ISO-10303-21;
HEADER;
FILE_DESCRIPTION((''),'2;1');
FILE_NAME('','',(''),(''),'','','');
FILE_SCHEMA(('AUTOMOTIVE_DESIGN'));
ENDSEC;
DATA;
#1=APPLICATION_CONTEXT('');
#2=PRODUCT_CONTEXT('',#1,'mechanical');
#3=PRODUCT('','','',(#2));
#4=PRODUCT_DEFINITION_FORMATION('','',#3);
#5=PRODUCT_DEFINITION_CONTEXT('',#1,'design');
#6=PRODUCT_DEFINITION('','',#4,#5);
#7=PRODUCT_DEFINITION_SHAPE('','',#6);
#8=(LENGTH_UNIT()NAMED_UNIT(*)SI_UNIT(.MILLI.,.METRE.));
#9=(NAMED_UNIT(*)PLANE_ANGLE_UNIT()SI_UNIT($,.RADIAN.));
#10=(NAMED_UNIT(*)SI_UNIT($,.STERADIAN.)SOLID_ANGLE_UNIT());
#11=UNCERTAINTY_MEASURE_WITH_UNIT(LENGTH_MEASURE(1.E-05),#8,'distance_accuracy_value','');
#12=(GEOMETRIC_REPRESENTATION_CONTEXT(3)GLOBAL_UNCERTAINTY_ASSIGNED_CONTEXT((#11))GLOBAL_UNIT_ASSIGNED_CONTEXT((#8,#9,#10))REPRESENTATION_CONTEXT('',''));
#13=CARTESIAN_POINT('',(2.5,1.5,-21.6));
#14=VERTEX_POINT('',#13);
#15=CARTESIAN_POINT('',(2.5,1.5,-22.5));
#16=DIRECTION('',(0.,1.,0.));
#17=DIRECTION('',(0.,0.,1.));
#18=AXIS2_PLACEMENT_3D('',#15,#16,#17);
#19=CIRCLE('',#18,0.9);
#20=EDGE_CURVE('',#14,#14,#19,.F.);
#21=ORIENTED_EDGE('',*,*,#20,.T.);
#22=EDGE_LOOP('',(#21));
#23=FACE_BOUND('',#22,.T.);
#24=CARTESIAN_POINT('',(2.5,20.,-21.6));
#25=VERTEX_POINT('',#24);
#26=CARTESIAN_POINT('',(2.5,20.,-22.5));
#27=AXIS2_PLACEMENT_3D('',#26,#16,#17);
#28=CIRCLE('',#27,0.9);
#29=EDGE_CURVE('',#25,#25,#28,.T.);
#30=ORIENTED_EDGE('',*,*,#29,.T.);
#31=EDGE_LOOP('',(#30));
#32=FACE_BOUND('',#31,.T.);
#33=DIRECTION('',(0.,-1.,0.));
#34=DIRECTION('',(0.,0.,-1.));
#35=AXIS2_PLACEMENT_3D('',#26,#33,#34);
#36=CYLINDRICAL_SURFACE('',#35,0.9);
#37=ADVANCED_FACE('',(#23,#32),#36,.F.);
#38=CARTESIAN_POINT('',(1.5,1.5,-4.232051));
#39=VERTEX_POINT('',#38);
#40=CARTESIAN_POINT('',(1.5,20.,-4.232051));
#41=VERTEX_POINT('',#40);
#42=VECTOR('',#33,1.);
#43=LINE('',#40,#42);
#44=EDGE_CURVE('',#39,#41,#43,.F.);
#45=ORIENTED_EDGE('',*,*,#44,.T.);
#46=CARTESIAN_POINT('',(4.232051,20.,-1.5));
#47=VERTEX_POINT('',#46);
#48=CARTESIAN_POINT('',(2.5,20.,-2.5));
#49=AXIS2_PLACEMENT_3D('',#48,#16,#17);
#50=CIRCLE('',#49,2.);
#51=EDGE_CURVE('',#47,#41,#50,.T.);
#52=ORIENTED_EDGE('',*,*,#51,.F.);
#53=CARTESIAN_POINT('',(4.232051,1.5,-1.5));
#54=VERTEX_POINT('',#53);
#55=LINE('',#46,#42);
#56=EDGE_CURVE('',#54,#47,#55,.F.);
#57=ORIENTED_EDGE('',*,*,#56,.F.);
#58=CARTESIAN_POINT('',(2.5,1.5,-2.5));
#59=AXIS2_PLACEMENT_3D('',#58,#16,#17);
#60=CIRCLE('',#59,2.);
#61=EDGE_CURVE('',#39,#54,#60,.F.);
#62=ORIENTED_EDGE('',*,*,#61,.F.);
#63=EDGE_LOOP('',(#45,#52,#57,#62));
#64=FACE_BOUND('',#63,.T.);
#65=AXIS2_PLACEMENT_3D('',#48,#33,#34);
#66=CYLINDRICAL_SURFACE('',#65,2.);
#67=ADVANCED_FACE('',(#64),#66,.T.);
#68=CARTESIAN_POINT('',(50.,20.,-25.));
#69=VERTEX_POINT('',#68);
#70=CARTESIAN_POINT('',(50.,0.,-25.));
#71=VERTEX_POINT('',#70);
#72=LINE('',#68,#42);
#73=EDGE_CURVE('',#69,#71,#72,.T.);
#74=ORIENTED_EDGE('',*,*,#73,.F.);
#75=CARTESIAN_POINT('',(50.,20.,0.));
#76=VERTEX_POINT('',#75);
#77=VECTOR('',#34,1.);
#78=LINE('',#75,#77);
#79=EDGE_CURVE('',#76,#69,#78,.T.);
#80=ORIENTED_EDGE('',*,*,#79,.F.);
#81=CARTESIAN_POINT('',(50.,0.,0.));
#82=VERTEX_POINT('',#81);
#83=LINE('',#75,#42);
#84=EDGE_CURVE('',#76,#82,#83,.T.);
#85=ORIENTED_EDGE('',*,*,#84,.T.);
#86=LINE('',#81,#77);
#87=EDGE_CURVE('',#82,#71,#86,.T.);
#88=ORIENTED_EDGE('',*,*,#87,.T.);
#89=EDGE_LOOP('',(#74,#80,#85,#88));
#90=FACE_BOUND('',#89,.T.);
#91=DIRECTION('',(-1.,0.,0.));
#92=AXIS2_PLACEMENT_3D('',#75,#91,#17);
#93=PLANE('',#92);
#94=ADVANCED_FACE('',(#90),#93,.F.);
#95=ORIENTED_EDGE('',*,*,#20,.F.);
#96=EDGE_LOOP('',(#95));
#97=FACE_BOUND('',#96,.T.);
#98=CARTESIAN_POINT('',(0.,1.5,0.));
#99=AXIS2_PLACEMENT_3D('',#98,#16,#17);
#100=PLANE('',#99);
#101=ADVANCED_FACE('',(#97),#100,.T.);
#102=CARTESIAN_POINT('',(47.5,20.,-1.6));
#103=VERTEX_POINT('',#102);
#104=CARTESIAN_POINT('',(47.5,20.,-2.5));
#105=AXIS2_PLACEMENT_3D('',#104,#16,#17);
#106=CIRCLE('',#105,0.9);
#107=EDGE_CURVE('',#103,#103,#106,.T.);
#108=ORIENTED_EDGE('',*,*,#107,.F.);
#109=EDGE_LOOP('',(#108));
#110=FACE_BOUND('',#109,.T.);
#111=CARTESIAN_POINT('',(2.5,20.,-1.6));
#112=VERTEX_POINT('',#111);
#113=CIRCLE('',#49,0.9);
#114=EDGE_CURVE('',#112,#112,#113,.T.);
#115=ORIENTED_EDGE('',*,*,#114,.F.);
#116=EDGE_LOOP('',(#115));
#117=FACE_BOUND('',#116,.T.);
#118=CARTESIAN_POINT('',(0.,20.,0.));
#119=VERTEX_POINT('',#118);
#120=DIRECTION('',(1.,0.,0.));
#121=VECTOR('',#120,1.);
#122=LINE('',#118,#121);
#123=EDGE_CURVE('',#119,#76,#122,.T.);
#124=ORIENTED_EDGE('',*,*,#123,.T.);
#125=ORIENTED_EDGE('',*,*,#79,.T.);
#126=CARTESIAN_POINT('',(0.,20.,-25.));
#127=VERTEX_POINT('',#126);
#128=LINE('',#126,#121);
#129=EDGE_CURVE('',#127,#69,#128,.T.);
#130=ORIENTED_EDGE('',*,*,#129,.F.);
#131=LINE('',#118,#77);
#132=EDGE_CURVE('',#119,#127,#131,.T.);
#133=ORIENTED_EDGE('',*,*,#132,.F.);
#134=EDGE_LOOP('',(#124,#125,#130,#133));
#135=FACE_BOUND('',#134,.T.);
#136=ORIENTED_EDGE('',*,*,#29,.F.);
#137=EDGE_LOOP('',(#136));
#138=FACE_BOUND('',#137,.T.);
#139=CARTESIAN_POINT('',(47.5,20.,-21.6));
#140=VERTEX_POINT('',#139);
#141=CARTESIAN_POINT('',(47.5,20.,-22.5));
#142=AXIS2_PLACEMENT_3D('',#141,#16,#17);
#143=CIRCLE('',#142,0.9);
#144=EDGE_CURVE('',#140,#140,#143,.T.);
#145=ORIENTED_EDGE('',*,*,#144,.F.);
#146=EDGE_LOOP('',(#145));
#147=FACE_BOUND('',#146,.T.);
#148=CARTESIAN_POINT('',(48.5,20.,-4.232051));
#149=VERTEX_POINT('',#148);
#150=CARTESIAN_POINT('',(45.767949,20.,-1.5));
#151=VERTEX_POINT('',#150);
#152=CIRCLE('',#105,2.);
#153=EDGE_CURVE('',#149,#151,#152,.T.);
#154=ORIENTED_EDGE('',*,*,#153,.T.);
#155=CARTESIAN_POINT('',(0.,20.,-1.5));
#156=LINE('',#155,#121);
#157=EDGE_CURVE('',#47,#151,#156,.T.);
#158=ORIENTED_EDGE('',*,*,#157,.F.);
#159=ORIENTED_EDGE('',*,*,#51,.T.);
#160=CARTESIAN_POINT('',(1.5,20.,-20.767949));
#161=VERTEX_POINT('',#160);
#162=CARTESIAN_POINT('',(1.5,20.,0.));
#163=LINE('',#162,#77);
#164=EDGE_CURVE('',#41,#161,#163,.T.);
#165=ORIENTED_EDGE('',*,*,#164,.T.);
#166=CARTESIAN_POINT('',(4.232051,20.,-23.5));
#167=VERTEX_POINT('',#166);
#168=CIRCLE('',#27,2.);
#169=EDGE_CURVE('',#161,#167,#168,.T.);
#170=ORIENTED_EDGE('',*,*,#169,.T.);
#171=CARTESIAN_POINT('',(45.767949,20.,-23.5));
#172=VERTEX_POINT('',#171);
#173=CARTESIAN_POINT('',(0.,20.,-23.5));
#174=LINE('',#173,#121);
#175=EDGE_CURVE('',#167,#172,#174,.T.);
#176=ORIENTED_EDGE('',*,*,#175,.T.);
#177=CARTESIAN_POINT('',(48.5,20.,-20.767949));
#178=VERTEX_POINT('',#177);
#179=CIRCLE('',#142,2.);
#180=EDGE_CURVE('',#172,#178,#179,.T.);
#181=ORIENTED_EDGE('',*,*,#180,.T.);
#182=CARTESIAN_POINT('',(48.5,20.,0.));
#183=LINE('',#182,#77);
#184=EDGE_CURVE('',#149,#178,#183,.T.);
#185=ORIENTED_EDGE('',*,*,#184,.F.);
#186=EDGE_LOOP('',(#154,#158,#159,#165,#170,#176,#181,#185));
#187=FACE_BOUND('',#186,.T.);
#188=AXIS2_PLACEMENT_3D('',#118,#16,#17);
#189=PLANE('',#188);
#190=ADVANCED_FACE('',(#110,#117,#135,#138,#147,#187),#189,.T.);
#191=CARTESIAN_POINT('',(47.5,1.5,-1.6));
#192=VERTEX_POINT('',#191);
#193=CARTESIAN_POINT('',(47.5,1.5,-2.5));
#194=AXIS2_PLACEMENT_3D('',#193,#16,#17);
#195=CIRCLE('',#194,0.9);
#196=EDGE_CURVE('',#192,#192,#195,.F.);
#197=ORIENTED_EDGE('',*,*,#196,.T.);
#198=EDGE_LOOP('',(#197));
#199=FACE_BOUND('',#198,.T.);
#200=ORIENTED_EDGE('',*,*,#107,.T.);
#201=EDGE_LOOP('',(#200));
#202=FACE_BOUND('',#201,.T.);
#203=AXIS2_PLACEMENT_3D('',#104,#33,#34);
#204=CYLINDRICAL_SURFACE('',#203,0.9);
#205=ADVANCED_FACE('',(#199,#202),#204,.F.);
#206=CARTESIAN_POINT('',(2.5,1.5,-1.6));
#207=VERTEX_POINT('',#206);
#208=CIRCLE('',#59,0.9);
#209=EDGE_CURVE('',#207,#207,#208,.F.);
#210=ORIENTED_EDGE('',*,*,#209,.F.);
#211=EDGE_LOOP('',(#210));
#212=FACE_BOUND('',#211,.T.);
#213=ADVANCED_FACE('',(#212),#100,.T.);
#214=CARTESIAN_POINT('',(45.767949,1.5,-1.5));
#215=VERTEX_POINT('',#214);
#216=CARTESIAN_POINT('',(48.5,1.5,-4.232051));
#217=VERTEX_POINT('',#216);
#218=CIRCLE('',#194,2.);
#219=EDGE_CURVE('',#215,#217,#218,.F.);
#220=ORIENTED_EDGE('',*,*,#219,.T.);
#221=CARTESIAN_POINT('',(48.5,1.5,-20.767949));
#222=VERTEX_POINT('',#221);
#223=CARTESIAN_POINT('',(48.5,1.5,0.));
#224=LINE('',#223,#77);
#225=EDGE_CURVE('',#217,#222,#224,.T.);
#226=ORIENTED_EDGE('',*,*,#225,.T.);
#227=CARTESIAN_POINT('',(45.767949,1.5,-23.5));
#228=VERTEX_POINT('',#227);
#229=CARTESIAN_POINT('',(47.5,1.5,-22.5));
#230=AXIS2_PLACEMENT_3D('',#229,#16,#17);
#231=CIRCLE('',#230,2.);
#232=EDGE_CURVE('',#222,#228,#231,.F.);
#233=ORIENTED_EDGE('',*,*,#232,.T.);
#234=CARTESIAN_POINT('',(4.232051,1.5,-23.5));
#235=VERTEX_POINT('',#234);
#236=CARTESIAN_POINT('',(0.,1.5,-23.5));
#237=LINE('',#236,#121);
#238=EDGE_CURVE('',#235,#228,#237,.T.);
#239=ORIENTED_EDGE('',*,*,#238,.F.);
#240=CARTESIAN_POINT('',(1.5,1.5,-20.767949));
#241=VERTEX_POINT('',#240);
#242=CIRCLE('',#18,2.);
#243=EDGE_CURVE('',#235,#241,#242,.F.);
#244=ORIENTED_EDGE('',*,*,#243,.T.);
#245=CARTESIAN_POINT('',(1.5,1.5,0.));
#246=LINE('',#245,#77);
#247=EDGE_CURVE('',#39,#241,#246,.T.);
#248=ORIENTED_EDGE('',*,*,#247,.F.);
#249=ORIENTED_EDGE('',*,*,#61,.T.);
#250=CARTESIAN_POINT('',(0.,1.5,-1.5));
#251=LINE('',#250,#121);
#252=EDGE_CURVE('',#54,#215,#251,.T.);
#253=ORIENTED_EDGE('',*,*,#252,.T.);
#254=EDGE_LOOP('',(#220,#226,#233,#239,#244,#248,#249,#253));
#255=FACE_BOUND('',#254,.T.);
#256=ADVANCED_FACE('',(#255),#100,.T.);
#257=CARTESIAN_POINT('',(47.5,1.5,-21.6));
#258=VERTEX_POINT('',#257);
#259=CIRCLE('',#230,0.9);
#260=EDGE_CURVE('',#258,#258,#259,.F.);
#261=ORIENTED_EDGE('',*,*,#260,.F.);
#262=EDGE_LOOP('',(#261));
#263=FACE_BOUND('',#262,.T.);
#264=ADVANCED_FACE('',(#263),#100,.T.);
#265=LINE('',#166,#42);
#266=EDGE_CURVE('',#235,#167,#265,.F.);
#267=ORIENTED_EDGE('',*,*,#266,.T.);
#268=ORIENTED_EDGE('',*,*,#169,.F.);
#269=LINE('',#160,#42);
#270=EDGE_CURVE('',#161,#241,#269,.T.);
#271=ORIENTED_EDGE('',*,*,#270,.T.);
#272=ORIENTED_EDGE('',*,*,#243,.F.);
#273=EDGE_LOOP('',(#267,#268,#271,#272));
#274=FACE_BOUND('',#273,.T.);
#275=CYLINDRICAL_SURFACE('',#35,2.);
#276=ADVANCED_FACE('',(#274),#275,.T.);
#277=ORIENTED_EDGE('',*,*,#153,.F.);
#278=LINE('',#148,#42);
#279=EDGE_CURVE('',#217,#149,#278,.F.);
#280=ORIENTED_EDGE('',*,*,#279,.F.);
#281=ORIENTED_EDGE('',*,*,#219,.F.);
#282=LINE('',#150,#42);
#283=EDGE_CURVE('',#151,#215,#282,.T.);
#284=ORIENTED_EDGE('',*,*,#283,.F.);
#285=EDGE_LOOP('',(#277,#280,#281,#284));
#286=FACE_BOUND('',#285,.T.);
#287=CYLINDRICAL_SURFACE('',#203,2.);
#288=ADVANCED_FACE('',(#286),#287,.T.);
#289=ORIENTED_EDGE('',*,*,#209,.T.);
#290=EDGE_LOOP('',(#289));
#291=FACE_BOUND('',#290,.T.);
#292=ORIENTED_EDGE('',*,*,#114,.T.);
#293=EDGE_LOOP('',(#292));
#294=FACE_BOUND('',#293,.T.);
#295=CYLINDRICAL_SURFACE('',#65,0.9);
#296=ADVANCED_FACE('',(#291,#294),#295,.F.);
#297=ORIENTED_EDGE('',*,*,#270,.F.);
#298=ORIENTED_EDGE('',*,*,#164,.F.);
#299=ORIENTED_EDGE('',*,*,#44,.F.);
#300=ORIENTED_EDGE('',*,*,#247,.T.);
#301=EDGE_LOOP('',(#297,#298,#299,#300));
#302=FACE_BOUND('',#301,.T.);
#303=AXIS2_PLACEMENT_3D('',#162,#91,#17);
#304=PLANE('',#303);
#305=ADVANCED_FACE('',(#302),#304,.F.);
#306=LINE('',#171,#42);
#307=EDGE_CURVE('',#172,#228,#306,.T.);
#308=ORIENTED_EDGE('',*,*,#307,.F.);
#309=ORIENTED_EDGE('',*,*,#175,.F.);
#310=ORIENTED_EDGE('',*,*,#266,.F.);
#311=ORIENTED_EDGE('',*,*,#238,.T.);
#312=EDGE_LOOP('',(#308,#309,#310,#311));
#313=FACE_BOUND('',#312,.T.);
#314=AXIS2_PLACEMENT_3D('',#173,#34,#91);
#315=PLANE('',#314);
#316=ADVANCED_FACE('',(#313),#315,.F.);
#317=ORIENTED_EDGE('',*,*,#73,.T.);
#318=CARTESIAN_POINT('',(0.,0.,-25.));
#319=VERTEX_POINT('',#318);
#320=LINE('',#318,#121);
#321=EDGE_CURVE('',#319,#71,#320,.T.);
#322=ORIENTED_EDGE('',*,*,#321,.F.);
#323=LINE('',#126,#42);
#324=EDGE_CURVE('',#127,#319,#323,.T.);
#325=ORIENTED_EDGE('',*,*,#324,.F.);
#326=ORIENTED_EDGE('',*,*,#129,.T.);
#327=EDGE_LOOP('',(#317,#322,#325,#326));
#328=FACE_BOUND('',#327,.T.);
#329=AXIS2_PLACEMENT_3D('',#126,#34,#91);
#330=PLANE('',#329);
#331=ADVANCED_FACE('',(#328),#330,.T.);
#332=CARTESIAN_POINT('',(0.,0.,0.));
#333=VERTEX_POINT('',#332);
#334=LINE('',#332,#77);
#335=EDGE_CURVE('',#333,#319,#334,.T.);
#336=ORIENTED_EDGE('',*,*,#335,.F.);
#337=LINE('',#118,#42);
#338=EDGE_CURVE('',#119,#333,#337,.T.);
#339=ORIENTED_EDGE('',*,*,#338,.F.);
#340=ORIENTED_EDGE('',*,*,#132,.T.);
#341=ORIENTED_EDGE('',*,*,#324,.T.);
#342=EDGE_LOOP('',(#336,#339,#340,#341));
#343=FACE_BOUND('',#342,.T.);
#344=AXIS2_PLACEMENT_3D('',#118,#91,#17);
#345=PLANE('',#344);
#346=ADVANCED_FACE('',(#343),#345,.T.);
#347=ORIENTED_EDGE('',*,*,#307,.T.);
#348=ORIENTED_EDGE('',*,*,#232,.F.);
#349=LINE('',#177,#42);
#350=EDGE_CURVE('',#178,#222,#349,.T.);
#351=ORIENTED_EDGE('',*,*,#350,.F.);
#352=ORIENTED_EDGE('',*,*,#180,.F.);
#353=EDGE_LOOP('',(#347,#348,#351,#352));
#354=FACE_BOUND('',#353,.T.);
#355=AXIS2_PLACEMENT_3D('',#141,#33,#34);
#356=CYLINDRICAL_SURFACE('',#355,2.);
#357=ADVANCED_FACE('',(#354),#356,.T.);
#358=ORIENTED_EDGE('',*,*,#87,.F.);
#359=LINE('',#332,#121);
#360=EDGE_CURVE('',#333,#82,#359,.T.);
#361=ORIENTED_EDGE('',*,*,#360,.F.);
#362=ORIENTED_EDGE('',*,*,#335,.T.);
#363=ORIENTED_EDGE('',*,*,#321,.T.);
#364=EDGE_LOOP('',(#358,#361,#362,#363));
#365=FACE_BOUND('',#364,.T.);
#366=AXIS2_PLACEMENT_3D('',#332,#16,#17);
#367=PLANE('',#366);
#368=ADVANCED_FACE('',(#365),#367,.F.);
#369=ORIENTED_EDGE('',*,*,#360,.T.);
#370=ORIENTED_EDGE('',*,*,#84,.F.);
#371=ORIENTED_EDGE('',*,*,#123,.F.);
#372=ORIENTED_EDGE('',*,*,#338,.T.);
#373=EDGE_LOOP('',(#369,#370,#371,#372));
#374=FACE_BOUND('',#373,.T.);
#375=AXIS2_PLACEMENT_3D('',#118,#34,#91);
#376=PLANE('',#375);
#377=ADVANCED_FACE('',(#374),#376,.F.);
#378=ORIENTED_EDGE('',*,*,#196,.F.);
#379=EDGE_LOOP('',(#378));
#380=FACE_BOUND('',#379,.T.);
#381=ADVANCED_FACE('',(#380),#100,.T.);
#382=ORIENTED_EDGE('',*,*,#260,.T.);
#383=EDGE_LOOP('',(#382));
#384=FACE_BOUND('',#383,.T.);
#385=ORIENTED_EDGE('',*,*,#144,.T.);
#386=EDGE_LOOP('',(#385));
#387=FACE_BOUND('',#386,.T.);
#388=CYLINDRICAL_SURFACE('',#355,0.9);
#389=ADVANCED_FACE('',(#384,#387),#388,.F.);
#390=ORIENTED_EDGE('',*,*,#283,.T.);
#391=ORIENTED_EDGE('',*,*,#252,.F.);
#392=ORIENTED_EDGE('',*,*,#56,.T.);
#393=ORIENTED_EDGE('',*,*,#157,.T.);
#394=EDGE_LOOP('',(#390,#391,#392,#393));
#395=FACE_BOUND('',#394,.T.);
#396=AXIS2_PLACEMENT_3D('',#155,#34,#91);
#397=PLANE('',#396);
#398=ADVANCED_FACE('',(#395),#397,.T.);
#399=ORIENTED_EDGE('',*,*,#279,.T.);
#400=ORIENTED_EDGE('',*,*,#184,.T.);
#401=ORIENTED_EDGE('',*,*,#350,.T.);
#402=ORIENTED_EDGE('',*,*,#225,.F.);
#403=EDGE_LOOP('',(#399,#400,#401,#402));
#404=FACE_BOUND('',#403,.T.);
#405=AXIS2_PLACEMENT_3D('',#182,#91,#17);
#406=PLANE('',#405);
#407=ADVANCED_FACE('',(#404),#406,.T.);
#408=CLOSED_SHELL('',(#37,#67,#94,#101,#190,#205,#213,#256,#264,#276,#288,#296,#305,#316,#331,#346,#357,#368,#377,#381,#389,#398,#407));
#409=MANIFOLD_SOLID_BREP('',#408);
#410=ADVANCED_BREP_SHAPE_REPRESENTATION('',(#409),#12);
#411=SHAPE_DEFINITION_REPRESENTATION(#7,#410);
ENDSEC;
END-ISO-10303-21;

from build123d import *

# Parameters (mm, degrees)
SKETCH_1_W      = 50
SKETCH_1_H      = 25
EXTRUDE_1_DEPTH = 20
SHELL_1_T       = -1.5
SKETCH_1_3_R    = 2
SKETCH_1_3_R_2  = 0.9
EXTRUDE_2_DEPTH = 20


with BuildPart() as part:
    # 草图1 → 凸台-拉伸1 (new body)
    with BuildSketch(Plane(origin=(0, 0, 0), x_dir=(1, 0, 0), z_dir=(0, 1, 0))):
        with Locations((25, 12.5)):
            Rectangle(SKETCH_1_W, SKETCH_1_H)
    extrude(amount=EXTRUDE_1_DEPTH)

    # 抽壳1
    shell_1_openings = [part.faces().sort_by_distance(p)[0] for p in [
        (25, 20, -12.5),
    ]]
    offset(amount=SHELL_1_T, openings=shell_1_openings, kind=Kind.INTERSECTION)

    # 草图1<3> → 凸台-拉伸2 (add)
    # profile 1 of 4: a face of its own
    with BuildSketch(Plane(origin=(0, 0, 0), x_dir=(1, 0, 0), z_dir=(0, 1, 0))):
        with Locations((2.5, 22.5)):
            Circle(SKETCH_1_3_R)
        with Locations((2.5, 22.5)):
            Circle(SKETCH_1_3_R_2, mode=Mode.SUBTRACT)
    # profile 2 of 4: a face of its own
    with BuildSketch(Plane(origin=(0, 0, 0), x_dir=(1, 0, 0), z_dir=(0, 1, 0))):
        with Locations((47.5, 22.5)):
            Circle(SKETCH_1_3_R)
        with Locations((47.5, 22.5)):
            Circle(SKETCH_1_3_R_2, mode=Mode.SUBTRACT)
    # profile 3 of 4: a face of its own
    with BuildSketch(Plane(origin=(0, 0, 0), x_dir=(1, 0, 0), z_dir=(0, 1, 0))):
        with Locations((47.5, 2.5)):
            Circle(SKETCH_1_3_R)
        with Locations((47.5, 2.5)):
            Circle(SKETCH_1_3_R_2, mode=Mode.SUBTRACT)
    # profile 4 of 4: a face of its own
    with BuildSketch(Plane(origin=(0, 0, 0), x_dir=(1, 0, 0), z_dir=(0, 1, 0))):
        with Locations((2.5, 2.5)):
            Circle(SKETCH_1_3_R)
        with Locations((2.5, 2.5)):
            Circle(SKETCH_1_3_R_2, mode=Mode.SUBTRACT)
    extrude(amount=EXTRUDE_2_DEPTH)


solid = part.part
